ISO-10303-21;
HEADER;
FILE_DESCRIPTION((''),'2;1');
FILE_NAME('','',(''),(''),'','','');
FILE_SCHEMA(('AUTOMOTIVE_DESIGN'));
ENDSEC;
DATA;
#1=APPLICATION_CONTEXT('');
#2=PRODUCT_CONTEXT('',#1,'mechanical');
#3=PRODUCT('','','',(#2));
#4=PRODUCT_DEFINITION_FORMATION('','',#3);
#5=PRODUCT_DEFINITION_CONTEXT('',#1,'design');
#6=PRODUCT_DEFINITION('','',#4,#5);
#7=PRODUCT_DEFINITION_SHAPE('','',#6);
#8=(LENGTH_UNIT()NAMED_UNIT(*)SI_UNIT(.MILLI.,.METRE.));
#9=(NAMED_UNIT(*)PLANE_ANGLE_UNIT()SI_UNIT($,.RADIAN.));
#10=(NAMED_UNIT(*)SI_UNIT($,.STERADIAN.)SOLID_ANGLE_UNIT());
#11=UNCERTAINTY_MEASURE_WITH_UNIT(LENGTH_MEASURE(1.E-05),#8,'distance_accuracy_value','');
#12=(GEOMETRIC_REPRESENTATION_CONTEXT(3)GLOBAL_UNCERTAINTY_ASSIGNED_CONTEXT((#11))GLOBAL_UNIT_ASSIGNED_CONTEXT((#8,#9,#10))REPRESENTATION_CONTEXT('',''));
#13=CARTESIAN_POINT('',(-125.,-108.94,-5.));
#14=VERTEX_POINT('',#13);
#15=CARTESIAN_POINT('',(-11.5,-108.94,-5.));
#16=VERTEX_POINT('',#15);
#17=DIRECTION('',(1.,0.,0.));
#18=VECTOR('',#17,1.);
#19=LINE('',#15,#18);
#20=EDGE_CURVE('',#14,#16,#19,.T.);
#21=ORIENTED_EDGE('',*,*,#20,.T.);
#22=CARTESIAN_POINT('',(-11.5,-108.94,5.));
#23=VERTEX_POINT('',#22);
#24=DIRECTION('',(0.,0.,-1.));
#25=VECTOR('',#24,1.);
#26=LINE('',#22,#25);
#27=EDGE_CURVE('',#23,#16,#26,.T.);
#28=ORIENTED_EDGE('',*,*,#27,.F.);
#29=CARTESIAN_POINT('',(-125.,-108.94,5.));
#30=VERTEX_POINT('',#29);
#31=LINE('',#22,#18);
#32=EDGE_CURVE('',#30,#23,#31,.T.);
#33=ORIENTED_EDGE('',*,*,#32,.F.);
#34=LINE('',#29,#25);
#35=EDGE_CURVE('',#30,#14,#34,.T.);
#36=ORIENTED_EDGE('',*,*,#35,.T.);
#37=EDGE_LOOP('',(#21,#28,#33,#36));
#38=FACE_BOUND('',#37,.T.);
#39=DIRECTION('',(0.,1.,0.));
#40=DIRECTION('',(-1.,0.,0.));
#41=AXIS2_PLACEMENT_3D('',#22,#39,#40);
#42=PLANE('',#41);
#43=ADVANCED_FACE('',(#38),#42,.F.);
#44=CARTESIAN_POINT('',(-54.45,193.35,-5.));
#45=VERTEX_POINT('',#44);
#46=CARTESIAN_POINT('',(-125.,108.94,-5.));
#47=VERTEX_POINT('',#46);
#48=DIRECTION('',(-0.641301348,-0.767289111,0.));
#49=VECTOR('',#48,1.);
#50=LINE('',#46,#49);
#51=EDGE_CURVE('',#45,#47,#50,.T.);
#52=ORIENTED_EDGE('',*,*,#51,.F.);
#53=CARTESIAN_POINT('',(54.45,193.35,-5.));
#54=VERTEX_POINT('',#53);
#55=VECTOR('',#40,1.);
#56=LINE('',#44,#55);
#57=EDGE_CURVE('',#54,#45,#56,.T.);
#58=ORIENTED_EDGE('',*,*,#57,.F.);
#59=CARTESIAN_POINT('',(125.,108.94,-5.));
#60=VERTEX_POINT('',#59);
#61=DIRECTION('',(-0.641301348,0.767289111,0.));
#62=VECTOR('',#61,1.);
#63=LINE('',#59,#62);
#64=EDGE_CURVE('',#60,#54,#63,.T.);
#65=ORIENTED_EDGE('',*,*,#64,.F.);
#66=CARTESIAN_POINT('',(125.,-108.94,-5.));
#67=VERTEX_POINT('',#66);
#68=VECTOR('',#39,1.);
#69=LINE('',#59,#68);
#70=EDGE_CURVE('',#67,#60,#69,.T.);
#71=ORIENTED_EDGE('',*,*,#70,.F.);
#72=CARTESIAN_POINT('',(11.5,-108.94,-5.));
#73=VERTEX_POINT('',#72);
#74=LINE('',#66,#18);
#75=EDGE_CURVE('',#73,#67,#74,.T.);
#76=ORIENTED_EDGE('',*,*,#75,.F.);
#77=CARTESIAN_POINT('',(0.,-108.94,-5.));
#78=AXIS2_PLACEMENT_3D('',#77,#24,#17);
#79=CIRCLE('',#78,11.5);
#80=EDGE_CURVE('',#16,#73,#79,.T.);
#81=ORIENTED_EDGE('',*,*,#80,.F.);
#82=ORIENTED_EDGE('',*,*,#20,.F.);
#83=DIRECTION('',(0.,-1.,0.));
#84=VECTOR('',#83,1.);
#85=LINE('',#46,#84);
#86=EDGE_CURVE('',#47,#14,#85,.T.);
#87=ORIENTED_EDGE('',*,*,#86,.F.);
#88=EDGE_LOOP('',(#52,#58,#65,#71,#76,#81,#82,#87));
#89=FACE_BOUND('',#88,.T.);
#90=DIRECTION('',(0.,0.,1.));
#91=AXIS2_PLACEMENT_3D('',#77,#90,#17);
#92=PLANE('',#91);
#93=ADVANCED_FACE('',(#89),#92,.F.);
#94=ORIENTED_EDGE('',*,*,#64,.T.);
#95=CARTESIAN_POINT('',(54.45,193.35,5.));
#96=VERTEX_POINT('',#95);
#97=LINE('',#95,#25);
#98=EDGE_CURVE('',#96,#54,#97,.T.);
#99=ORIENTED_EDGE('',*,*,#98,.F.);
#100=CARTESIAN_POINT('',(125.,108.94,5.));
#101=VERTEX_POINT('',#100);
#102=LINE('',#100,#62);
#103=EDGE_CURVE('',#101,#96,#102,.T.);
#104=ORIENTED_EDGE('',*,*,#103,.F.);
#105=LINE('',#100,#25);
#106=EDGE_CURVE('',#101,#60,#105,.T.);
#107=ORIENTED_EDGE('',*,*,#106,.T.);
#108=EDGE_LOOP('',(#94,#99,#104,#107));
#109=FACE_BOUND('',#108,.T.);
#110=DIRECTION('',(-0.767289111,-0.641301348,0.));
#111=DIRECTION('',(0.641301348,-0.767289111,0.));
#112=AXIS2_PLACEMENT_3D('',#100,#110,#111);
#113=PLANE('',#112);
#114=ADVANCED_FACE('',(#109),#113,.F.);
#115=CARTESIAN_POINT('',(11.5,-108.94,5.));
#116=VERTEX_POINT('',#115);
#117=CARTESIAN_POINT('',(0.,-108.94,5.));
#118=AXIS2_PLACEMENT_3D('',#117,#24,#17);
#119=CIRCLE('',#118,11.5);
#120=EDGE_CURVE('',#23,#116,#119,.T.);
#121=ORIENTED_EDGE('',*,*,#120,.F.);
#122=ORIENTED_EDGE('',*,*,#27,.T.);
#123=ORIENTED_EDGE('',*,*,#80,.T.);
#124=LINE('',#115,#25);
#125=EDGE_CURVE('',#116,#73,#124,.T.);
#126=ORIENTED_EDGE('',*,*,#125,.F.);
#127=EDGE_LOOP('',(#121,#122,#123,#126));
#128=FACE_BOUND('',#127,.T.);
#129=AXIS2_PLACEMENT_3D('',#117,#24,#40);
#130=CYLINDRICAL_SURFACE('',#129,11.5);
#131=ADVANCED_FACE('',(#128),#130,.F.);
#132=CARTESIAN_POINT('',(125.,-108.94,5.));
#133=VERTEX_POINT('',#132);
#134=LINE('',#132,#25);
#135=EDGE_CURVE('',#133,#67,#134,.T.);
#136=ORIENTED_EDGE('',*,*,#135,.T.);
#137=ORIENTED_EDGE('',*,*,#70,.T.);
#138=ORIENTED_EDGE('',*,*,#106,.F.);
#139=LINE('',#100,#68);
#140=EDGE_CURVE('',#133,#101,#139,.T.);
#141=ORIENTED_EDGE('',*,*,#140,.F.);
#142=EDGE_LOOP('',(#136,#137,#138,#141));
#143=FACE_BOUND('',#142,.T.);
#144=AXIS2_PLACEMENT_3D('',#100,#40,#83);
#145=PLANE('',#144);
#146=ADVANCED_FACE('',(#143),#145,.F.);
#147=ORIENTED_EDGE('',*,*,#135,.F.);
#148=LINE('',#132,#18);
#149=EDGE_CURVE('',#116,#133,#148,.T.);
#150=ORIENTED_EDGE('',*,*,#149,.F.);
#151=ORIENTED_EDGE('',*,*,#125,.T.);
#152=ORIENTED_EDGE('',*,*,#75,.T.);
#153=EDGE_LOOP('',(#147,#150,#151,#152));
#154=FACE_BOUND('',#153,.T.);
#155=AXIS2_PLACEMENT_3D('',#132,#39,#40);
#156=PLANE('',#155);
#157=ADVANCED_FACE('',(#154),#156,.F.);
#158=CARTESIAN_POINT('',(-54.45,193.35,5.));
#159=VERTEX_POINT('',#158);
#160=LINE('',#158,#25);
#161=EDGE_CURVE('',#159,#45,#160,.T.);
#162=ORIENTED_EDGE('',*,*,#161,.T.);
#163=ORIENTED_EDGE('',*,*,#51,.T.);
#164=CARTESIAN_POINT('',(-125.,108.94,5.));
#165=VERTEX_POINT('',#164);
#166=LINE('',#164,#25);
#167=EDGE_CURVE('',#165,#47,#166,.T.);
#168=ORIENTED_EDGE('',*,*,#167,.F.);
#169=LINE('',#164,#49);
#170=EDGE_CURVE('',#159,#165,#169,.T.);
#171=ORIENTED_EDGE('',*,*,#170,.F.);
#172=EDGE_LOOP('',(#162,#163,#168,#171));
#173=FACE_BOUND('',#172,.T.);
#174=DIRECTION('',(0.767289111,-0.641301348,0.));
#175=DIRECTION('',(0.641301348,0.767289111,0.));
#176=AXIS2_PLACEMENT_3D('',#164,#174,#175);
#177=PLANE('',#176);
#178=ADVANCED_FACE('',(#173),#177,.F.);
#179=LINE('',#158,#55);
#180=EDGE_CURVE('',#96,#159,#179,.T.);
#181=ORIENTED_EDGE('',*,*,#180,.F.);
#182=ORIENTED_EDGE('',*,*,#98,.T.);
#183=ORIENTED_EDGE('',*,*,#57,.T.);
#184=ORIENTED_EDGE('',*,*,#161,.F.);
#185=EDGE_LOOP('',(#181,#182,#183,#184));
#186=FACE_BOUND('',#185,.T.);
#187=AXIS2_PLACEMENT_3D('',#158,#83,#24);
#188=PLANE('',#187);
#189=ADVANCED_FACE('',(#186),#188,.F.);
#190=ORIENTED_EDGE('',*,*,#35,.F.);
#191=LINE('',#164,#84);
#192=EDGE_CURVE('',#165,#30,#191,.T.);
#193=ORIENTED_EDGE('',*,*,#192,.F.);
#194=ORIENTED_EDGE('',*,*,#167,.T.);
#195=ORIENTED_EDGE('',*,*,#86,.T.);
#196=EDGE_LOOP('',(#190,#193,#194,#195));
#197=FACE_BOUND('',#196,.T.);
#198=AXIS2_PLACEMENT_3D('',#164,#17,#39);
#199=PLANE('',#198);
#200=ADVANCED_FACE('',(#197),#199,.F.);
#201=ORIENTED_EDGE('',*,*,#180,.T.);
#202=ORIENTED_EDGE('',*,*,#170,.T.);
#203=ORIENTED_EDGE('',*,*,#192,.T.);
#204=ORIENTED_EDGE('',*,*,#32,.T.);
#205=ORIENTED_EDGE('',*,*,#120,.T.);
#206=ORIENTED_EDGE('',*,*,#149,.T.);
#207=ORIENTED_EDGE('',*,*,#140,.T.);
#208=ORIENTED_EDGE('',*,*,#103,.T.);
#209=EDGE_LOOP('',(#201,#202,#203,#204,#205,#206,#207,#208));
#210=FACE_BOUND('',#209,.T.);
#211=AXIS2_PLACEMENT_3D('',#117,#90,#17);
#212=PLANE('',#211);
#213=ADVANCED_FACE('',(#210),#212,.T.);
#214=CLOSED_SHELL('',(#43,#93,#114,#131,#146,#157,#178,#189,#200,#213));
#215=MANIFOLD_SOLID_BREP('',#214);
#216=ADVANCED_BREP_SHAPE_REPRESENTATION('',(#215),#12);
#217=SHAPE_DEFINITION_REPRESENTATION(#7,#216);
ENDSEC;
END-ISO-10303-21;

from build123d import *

# Parameters (mm, degrees)
BOSS_EXTRUDE2_DEPTH = 5


with BuildPart() as part:
    # Sketch1 → Boss-Extrude2 (new body, symmetric)
    with BuildSketch(Plane.XY):
        with BuildLine():
            Line((-11.5, -108.94), (-125, -108.94))
            Line((-125, -108.94), (-125, 108.94))
            Line((-125, 108.94), (-54.45, 193.35))
            Line((-54.45, 193.35), (54.45, 193.35))
            Line((54.45, 193.35), (125, 108.94))
            Line((125, 108.94), (125, -108.94))
            Line((125, -108.94), (11.5, -108.94))
            ThreePointArc((11.5, -108.94), (0, -97.44), (-11.5, -108.94))
        make_face()
    extrude(amount=BOSS_EXTRUDE2_DEPTH, both=True)


solid = part.part
